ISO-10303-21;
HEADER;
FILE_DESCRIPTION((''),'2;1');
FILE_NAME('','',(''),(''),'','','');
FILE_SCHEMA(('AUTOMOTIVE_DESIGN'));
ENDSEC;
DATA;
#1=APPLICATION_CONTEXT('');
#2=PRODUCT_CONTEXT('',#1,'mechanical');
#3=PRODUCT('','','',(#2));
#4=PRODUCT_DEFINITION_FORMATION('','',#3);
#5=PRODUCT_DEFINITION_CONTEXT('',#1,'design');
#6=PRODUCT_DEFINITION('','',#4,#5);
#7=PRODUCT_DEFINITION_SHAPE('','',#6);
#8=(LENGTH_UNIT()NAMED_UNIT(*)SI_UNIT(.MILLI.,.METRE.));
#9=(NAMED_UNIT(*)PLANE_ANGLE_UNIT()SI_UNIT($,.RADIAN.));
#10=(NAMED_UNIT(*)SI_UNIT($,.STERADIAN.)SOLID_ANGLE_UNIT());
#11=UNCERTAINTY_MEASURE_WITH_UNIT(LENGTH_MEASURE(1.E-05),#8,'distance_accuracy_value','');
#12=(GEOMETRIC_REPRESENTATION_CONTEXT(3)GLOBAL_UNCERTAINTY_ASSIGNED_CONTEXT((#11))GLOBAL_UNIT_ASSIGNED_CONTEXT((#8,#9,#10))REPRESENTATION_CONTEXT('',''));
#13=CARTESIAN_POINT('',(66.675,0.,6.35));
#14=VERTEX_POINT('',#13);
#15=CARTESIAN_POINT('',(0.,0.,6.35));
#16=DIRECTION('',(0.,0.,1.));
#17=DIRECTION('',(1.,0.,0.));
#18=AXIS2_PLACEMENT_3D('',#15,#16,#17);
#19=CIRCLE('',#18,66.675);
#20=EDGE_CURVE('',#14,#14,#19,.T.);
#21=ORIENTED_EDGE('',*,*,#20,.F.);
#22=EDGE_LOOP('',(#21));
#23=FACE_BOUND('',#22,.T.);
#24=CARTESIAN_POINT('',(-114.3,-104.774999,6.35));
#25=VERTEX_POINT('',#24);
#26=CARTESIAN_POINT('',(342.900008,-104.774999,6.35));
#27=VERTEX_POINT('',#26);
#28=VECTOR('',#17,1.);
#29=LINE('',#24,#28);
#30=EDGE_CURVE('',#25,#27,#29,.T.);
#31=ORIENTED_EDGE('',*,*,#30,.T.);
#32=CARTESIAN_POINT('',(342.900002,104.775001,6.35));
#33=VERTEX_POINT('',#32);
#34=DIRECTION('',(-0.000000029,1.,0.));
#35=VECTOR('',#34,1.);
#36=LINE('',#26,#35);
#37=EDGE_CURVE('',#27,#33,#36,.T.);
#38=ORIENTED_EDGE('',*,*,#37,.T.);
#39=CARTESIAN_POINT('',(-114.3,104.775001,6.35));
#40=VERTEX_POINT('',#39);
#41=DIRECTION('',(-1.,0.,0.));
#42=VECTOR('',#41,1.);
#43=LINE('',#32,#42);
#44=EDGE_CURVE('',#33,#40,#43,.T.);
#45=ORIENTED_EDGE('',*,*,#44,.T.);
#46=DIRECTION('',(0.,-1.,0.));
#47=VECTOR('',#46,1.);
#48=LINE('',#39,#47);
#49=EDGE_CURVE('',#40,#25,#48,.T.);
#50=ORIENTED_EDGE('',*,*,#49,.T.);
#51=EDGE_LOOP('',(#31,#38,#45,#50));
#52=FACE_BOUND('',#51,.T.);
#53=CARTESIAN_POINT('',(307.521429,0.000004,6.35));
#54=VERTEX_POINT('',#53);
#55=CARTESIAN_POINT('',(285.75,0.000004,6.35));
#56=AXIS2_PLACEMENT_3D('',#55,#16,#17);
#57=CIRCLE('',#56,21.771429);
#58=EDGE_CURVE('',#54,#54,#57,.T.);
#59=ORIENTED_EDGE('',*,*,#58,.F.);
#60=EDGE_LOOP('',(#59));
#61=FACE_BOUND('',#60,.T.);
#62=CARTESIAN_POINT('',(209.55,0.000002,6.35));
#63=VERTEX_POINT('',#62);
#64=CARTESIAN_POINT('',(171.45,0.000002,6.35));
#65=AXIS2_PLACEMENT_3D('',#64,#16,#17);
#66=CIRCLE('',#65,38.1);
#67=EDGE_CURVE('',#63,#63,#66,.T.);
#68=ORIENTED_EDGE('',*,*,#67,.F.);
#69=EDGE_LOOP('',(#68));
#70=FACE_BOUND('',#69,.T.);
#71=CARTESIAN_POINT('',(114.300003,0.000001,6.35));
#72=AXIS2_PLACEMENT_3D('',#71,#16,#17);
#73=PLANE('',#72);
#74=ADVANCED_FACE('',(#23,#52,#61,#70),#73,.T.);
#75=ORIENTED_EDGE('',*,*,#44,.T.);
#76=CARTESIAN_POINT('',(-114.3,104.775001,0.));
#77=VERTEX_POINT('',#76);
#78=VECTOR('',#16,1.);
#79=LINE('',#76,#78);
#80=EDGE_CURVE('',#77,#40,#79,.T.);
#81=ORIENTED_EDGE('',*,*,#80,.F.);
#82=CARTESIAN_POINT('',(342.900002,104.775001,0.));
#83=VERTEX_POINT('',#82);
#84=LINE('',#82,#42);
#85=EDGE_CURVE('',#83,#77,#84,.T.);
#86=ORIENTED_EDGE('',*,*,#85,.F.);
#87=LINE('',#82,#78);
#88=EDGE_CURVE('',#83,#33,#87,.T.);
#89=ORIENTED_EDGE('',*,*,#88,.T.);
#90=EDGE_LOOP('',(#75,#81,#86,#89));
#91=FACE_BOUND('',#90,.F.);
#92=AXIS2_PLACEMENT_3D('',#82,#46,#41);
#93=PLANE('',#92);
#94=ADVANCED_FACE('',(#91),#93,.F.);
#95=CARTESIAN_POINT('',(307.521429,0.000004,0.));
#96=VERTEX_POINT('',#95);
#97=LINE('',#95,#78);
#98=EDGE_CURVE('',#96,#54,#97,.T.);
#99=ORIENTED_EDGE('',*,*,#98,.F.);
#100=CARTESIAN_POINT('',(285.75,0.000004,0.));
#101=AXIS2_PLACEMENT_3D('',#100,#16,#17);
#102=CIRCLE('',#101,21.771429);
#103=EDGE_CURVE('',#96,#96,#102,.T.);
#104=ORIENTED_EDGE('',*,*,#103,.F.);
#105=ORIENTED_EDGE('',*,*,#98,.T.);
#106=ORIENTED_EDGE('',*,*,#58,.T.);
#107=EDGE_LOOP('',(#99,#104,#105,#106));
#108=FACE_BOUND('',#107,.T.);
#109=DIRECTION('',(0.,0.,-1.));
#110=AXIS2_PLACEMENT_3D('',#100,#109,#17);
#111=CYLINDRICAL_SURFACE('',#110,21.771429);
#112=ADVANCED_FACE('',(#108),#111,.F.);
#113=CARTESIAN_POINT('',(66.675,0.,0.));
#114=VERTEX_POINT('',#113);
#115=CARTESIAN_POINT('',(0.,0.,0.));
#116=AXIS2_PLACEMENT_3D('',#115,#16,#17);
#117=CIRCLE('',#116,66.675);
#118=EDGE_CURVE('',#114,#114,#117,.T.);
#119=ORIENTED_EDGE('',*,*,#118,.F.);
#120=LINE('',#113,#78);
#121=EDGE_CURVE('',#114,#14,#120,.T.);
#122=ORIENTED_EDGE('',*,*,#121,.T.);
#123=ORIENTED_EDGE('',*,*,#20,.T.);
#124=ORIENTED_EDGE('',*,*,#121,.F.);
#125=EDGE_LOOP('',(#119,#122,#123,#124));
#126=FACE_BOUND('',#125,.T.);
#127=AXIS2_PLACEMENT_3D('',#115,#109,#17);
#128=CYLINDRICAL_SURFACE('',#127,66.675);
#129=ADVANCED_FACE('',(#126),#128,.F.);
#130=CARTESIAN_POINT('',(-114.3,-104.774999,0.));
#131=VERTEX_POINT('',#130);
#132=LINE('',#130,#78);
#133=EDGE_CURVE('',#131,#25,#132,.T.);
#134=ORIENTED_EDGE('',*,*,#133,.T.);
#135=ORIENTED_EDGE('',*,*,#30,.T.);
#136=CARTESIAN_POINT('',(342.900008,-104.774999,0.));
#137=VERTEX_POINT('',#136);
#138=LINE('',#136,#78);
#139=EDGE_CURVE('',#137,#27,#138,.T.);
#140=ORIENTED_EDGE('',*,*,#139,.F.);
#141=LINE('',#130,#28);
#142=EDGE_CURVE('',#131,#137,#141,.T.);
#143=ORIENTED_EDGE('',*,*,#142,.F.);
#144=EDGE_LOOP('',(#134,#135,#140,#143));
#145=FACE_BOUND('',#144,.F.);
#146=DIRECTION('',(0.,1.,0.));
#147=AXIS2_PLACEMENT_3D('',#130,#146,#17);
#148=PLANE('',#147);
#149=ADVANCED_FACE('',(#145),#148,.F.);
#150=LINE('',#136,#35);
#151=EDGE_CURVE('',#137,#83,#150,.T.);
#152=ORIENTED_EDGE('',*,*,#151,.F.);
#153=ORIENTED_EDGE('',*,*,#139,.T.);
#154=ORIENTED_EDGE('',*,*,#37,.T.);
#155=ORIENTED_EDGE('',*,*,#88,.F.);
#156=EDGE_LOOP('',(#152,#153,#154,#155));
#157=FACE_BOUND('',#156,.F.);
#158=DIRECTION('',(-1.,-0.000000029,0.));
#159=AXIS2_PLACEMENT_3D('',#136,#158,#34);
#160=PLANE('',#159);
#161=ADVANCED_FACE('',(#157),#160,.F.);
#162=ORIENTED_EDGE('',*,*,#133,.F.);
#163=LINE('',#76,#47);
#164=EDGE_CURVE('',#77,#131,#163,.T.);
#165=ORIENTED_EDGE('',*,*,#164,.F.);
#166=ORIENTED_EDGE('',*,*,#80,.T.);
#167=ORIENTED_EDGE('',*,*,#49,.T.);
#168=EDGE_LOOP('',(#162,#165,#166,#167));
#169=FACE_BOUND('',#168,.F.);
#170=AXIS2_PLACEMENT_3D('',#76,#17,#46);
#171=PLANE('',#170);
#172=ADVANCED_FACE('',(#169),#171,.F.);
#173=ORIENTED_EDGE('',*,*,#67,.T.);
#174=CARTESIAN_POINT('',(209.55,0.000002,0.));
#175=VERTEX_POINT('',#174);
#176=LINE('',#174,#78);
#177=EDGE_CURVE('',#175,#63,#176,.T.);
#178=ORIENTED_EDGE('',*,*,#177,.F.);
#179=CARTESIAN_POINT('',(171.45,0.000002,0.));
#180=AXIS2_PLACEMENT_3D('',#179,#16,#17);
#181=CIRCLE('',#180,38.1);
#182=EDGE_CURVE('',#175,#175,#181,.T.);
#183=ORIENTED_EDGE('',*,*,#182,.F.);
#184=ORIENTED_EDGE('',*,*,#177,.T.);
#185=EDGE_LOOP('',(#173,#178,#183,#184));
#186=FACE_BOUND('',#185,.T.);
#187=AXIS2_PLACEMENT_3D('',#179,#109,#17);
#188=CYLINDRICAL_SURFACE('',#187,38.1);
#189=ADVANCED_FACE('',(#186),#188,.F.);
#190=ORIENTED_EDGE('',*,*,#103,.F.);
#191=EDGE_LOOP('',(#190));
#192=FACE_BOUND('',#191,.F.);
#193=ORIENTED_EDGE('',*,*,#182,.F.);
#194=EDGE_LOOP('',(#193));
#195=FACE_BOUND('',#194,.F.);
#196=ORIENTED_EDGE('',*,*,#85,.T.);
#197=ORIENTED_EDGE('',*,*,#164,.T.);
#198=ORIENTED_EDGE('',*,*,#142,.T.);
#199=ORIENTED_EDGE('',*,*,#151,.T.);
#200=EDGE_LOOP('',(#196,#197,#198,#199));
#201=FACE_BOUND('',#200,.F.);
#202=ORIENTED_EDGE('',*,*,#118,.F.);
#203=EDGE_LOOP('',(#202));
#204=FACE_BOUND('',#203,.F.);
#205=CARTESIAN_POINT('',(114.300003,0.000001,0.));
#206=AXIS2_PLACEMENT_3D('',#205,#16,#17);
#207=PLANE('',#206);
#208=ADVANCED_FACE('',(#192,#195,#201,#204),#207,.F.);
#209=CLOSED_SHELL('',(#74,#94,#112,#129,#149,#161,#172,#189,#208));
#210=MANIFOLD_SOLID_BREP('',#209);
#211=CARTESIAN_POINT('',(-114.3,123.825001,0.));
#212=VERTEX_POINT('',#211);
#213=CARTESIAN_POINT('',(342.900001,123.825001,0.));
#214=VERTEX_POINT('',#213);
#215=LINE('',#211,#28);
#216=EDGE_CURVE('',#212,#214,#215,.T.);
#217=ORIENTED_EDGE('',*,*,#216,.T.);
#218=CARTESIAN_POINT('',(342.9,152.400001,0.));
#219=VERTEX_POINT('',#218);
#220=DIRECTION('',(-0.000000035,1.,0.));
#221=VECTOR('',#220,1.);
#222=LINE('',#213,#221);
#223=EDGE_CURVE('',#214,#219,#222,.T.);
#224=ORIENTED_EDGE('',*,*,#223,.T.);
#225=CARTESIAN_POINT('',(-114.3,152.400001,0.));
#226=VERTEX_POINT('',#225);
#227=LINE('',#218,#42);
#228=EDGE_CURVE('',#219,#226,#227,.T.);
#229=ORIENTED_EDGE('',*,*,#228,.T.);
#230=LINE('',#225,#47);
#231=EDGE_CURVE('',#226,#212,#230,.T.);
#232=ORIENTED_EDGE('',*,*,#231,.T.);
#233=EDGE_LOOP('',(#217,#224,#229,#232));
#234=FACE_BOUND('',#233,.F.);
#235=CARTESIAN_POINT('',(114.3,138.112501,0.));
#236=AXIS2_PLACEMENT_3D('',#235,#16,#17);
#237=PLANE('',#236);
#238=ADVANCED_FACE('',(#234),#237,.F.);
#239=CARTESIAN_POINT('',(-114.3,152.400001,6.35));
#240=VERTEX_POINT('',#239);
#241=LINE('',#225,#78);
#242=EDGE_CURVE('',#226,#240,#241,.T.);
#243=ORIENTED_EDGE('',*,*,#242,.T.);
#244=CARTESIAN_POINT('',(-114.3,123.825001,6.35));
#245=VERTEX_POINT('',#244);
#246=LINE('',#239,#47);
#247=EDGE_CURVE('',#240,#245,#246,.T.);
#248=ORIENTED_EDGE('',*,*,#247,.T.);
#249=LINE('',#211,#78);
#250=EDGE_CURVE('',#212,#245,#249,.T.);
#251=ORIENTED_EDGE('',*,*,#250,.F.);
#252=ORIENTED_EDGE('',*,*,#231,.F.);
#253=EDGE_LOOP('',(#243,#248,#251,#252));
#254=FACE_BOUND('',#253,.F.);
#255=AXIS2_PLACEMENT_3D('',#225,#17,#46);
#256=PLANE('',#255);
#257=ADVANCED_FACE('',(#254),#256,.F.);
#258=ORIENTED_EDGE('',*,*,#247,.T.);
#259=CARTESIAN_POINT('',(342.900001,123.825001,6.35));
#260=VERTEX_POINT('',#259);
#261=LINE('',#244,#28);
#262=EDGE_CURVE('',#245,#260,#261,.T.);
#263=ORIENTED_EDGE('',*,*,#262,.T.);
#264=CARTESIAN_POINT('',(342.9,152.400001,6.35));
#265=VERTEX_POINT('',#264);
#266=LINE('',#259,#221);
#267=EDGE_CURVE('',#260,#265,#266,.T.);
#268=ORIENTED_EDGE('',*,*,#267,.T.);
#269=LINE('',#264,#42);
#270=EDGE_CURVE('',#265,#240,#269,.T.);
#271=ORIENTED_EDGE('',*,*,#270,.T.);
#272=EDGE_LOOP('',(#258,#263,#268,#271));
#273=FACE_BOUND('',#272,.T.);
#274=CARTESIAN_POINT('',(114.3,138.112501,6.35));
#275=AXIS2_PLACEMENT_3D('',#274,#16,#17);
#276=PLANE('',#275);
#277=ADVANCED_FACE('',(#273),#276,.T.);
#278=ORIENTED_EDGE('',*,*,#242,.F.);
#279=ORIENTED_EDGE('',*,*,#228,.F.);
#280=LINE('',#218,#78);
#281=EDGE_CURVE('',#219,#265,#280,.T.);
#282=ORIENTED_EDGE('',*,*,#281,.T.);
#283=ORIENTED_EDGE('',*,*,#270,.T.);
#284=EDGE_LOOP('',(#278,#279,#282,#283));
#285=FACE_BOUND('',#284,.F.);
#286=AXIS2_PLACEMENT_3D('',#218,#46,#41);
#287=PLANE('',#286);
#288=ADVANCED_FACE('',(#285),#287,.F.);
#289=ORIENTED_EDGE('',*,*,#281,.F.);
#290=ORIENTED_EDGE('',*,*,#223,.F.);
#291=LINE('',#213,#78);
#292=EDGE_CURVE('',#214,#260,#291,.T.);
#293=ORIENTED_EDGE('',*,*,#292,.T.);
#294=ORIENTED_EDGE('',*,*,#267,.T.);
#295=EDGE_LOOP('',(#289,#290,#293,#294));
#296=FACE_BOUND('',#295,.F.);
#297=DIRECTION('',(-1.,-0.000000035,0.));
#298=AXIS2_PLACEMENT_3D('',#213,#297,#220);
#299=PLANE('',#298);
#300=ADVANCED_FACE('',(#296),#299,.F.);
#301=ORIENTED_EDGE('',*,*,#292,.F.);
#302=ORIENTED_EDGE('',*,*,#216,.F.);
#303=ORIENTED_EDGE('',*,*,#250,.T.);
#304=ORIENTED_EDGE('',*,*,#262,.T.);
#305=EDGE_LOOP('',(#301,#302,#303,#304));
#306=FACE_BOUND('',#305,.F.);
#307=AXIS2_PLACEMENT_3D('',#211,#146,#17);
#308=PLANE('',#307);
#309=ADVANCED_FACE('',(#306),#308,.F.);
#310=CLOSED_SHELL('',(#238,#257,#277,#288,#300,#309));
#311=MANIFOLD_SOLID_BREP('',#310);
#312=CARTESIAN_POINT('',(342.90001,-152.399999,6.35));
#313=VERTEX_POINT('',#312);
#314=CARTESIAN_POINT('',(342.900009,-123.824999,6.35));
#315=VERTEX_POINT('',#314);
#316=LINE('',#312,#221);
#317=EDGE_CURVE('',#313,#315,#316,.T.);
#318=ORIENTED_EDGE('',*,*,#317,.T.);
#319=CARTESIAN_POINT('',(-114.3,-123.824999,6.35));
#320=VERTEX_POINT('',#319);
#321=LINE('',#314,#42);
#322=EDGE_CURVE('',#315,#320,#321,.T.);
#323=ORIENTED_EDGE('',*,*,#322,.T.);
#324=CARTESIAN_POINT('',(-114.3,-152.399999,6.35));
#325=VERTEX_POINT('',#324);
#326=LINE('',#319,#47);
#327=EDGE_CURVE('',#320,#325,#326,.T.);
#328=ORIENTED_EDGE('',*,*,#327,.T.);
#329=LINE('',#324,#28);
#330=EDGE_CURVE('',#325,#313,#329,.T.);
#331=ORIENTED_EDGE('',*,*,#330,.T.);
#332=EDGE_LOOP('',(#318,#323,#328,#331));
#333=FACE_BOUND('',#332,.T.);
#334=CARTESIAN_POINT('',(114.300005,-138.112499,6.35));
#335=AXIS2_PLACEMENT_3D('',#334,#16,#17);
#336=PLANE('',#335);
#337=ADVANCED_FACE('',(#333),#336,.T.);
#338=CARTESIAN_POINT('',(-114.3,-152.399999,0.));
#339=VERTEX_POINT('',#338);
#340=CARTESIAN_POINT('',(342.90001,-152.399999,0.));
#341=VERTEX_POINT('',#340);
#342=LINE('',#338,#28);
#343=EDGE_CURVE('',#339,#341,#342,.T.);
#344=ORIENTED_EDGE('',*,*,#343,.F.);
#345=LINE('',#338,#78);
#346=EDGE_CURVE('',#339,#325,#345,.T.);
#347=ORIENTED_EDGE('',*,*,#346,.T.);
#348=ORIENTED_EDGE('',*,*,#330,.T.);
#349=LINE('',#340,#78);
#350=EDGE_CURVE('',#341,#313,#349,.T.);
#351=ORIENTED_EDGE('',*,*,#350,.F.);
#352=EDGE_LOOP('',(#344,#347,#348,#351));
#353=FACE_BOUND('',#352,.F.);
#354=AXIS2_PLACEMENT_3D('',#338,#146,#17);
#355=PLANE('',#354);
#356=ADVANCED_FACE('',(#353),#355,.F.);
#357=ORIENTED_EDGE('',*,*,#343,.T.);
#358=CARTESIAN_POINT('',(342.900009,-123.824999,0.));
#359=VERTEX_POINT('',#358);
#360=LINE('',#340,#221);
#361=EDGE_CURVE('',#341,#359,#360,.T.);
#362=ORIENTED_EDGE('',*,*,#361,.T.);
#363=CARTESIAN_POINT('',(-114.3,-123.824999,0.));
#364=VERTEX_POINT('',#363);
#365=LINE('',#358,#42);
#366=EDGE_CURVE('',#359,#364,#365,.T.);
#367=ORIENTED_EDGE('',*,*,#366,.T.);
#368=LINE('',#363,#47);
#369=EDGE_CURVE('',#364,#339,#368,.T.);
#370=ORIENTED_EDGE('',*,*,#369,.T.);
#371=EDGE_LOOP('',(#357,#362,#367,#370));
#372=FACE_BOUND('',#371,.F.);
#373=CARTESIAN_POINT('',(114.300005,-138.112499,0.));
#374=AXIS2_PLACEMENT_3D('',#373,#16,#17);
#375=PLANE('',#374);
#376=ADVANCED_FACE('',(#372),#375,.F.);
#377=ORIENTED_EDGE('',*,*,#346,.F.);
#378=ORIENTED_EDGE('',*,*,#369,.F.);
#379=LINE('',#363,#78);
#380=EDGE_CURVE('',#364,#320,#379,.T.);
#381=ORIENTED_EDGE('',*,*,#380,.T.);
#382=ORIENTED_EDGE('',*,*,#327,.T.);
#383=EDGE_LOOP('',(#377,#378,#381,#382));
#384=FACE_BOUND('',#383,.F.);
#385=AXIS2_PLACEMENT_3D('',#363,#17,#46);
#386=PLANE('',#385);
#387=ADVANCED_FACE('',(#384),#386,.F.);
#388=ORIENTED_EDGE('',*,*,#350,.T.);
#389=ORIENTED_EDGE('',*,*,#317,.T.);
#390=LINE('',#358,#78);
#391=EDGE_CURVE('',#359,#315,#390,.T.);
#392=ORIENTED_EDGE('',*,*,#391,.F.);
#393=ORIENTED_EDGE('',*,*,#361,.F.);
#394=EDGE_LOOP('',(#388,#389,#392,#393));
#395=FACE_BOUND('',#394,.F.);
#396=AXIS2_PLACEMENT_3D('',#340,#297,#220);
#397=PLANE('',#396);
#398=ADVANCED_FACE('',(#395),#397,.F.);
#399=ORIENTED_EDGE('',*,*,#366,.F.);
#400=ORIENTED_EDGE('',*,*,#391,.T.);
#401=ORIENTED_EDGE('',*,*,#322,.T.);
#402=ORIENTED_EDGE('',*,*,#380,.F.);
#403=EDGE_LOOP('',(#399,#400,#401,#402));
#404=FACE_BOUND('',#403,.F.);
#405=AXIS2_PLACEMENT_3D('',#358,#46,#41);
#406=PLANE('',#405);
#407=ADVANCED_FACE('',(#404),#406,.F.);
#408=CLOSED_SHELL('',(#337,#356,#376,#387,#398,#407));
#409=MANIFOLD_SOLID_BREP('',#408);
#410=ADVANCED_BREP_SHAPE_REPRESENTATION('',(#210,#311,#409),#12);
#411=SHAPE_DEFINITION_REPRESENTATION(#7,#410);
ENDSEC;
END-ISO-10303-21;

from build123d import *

# Parameters (mm, degrees)
F0_R     = 66.675
F0_R_2   = 73.025
F1_DEPTH = 6.35
F0_R_3   = 38.1
F0_R_4   = 21.771429
F2_DEPTH = 6.35


with BuildPart() as f1:
    # F0 (on Top) → F1 (new body)
    with BuildSketch(Plane.XY):
        Circle(F0_R)
        Circle(F0_R_2)
        Circle(F0_R, mode=Mode.SUBTRACT)
    extrude(amount=F1_DEPTH)

    # F0 (on Top) → F2 (join)
    with BuildSketch(Plane.XY):
        Polygon((342.900002, 104.775001), (-114.3, 104.775001), (-114.3, -104.774999), (342.900008, -104.774999), align=None)
        Circle(F0_R_2, mode=Mode.SUBTRACT)
        with Locations((171.45, 2e-06)):
            Circle(F0_R_3, mode=Mode.SUBTRACT)
        with Locations((285.75, 4e-06)):
            Circle(F0_R_4, mode=Mode.SUBTRACT)
        Polygon((342.900009, -123.824999), (-114.3, -123.824999), (-114.3, -152.399999), (104.922128, -152.399999), (342.90001, -152.399999), align=None)
        Polygon((107.95, 152.400001), (-114.3, 152.400001), (-114.3, 123.825001), (342.900001, 123.825001), (342.9, 152.400001), align=None)
    extrude(amount=F2_DEPTH)


solid = f1.part
